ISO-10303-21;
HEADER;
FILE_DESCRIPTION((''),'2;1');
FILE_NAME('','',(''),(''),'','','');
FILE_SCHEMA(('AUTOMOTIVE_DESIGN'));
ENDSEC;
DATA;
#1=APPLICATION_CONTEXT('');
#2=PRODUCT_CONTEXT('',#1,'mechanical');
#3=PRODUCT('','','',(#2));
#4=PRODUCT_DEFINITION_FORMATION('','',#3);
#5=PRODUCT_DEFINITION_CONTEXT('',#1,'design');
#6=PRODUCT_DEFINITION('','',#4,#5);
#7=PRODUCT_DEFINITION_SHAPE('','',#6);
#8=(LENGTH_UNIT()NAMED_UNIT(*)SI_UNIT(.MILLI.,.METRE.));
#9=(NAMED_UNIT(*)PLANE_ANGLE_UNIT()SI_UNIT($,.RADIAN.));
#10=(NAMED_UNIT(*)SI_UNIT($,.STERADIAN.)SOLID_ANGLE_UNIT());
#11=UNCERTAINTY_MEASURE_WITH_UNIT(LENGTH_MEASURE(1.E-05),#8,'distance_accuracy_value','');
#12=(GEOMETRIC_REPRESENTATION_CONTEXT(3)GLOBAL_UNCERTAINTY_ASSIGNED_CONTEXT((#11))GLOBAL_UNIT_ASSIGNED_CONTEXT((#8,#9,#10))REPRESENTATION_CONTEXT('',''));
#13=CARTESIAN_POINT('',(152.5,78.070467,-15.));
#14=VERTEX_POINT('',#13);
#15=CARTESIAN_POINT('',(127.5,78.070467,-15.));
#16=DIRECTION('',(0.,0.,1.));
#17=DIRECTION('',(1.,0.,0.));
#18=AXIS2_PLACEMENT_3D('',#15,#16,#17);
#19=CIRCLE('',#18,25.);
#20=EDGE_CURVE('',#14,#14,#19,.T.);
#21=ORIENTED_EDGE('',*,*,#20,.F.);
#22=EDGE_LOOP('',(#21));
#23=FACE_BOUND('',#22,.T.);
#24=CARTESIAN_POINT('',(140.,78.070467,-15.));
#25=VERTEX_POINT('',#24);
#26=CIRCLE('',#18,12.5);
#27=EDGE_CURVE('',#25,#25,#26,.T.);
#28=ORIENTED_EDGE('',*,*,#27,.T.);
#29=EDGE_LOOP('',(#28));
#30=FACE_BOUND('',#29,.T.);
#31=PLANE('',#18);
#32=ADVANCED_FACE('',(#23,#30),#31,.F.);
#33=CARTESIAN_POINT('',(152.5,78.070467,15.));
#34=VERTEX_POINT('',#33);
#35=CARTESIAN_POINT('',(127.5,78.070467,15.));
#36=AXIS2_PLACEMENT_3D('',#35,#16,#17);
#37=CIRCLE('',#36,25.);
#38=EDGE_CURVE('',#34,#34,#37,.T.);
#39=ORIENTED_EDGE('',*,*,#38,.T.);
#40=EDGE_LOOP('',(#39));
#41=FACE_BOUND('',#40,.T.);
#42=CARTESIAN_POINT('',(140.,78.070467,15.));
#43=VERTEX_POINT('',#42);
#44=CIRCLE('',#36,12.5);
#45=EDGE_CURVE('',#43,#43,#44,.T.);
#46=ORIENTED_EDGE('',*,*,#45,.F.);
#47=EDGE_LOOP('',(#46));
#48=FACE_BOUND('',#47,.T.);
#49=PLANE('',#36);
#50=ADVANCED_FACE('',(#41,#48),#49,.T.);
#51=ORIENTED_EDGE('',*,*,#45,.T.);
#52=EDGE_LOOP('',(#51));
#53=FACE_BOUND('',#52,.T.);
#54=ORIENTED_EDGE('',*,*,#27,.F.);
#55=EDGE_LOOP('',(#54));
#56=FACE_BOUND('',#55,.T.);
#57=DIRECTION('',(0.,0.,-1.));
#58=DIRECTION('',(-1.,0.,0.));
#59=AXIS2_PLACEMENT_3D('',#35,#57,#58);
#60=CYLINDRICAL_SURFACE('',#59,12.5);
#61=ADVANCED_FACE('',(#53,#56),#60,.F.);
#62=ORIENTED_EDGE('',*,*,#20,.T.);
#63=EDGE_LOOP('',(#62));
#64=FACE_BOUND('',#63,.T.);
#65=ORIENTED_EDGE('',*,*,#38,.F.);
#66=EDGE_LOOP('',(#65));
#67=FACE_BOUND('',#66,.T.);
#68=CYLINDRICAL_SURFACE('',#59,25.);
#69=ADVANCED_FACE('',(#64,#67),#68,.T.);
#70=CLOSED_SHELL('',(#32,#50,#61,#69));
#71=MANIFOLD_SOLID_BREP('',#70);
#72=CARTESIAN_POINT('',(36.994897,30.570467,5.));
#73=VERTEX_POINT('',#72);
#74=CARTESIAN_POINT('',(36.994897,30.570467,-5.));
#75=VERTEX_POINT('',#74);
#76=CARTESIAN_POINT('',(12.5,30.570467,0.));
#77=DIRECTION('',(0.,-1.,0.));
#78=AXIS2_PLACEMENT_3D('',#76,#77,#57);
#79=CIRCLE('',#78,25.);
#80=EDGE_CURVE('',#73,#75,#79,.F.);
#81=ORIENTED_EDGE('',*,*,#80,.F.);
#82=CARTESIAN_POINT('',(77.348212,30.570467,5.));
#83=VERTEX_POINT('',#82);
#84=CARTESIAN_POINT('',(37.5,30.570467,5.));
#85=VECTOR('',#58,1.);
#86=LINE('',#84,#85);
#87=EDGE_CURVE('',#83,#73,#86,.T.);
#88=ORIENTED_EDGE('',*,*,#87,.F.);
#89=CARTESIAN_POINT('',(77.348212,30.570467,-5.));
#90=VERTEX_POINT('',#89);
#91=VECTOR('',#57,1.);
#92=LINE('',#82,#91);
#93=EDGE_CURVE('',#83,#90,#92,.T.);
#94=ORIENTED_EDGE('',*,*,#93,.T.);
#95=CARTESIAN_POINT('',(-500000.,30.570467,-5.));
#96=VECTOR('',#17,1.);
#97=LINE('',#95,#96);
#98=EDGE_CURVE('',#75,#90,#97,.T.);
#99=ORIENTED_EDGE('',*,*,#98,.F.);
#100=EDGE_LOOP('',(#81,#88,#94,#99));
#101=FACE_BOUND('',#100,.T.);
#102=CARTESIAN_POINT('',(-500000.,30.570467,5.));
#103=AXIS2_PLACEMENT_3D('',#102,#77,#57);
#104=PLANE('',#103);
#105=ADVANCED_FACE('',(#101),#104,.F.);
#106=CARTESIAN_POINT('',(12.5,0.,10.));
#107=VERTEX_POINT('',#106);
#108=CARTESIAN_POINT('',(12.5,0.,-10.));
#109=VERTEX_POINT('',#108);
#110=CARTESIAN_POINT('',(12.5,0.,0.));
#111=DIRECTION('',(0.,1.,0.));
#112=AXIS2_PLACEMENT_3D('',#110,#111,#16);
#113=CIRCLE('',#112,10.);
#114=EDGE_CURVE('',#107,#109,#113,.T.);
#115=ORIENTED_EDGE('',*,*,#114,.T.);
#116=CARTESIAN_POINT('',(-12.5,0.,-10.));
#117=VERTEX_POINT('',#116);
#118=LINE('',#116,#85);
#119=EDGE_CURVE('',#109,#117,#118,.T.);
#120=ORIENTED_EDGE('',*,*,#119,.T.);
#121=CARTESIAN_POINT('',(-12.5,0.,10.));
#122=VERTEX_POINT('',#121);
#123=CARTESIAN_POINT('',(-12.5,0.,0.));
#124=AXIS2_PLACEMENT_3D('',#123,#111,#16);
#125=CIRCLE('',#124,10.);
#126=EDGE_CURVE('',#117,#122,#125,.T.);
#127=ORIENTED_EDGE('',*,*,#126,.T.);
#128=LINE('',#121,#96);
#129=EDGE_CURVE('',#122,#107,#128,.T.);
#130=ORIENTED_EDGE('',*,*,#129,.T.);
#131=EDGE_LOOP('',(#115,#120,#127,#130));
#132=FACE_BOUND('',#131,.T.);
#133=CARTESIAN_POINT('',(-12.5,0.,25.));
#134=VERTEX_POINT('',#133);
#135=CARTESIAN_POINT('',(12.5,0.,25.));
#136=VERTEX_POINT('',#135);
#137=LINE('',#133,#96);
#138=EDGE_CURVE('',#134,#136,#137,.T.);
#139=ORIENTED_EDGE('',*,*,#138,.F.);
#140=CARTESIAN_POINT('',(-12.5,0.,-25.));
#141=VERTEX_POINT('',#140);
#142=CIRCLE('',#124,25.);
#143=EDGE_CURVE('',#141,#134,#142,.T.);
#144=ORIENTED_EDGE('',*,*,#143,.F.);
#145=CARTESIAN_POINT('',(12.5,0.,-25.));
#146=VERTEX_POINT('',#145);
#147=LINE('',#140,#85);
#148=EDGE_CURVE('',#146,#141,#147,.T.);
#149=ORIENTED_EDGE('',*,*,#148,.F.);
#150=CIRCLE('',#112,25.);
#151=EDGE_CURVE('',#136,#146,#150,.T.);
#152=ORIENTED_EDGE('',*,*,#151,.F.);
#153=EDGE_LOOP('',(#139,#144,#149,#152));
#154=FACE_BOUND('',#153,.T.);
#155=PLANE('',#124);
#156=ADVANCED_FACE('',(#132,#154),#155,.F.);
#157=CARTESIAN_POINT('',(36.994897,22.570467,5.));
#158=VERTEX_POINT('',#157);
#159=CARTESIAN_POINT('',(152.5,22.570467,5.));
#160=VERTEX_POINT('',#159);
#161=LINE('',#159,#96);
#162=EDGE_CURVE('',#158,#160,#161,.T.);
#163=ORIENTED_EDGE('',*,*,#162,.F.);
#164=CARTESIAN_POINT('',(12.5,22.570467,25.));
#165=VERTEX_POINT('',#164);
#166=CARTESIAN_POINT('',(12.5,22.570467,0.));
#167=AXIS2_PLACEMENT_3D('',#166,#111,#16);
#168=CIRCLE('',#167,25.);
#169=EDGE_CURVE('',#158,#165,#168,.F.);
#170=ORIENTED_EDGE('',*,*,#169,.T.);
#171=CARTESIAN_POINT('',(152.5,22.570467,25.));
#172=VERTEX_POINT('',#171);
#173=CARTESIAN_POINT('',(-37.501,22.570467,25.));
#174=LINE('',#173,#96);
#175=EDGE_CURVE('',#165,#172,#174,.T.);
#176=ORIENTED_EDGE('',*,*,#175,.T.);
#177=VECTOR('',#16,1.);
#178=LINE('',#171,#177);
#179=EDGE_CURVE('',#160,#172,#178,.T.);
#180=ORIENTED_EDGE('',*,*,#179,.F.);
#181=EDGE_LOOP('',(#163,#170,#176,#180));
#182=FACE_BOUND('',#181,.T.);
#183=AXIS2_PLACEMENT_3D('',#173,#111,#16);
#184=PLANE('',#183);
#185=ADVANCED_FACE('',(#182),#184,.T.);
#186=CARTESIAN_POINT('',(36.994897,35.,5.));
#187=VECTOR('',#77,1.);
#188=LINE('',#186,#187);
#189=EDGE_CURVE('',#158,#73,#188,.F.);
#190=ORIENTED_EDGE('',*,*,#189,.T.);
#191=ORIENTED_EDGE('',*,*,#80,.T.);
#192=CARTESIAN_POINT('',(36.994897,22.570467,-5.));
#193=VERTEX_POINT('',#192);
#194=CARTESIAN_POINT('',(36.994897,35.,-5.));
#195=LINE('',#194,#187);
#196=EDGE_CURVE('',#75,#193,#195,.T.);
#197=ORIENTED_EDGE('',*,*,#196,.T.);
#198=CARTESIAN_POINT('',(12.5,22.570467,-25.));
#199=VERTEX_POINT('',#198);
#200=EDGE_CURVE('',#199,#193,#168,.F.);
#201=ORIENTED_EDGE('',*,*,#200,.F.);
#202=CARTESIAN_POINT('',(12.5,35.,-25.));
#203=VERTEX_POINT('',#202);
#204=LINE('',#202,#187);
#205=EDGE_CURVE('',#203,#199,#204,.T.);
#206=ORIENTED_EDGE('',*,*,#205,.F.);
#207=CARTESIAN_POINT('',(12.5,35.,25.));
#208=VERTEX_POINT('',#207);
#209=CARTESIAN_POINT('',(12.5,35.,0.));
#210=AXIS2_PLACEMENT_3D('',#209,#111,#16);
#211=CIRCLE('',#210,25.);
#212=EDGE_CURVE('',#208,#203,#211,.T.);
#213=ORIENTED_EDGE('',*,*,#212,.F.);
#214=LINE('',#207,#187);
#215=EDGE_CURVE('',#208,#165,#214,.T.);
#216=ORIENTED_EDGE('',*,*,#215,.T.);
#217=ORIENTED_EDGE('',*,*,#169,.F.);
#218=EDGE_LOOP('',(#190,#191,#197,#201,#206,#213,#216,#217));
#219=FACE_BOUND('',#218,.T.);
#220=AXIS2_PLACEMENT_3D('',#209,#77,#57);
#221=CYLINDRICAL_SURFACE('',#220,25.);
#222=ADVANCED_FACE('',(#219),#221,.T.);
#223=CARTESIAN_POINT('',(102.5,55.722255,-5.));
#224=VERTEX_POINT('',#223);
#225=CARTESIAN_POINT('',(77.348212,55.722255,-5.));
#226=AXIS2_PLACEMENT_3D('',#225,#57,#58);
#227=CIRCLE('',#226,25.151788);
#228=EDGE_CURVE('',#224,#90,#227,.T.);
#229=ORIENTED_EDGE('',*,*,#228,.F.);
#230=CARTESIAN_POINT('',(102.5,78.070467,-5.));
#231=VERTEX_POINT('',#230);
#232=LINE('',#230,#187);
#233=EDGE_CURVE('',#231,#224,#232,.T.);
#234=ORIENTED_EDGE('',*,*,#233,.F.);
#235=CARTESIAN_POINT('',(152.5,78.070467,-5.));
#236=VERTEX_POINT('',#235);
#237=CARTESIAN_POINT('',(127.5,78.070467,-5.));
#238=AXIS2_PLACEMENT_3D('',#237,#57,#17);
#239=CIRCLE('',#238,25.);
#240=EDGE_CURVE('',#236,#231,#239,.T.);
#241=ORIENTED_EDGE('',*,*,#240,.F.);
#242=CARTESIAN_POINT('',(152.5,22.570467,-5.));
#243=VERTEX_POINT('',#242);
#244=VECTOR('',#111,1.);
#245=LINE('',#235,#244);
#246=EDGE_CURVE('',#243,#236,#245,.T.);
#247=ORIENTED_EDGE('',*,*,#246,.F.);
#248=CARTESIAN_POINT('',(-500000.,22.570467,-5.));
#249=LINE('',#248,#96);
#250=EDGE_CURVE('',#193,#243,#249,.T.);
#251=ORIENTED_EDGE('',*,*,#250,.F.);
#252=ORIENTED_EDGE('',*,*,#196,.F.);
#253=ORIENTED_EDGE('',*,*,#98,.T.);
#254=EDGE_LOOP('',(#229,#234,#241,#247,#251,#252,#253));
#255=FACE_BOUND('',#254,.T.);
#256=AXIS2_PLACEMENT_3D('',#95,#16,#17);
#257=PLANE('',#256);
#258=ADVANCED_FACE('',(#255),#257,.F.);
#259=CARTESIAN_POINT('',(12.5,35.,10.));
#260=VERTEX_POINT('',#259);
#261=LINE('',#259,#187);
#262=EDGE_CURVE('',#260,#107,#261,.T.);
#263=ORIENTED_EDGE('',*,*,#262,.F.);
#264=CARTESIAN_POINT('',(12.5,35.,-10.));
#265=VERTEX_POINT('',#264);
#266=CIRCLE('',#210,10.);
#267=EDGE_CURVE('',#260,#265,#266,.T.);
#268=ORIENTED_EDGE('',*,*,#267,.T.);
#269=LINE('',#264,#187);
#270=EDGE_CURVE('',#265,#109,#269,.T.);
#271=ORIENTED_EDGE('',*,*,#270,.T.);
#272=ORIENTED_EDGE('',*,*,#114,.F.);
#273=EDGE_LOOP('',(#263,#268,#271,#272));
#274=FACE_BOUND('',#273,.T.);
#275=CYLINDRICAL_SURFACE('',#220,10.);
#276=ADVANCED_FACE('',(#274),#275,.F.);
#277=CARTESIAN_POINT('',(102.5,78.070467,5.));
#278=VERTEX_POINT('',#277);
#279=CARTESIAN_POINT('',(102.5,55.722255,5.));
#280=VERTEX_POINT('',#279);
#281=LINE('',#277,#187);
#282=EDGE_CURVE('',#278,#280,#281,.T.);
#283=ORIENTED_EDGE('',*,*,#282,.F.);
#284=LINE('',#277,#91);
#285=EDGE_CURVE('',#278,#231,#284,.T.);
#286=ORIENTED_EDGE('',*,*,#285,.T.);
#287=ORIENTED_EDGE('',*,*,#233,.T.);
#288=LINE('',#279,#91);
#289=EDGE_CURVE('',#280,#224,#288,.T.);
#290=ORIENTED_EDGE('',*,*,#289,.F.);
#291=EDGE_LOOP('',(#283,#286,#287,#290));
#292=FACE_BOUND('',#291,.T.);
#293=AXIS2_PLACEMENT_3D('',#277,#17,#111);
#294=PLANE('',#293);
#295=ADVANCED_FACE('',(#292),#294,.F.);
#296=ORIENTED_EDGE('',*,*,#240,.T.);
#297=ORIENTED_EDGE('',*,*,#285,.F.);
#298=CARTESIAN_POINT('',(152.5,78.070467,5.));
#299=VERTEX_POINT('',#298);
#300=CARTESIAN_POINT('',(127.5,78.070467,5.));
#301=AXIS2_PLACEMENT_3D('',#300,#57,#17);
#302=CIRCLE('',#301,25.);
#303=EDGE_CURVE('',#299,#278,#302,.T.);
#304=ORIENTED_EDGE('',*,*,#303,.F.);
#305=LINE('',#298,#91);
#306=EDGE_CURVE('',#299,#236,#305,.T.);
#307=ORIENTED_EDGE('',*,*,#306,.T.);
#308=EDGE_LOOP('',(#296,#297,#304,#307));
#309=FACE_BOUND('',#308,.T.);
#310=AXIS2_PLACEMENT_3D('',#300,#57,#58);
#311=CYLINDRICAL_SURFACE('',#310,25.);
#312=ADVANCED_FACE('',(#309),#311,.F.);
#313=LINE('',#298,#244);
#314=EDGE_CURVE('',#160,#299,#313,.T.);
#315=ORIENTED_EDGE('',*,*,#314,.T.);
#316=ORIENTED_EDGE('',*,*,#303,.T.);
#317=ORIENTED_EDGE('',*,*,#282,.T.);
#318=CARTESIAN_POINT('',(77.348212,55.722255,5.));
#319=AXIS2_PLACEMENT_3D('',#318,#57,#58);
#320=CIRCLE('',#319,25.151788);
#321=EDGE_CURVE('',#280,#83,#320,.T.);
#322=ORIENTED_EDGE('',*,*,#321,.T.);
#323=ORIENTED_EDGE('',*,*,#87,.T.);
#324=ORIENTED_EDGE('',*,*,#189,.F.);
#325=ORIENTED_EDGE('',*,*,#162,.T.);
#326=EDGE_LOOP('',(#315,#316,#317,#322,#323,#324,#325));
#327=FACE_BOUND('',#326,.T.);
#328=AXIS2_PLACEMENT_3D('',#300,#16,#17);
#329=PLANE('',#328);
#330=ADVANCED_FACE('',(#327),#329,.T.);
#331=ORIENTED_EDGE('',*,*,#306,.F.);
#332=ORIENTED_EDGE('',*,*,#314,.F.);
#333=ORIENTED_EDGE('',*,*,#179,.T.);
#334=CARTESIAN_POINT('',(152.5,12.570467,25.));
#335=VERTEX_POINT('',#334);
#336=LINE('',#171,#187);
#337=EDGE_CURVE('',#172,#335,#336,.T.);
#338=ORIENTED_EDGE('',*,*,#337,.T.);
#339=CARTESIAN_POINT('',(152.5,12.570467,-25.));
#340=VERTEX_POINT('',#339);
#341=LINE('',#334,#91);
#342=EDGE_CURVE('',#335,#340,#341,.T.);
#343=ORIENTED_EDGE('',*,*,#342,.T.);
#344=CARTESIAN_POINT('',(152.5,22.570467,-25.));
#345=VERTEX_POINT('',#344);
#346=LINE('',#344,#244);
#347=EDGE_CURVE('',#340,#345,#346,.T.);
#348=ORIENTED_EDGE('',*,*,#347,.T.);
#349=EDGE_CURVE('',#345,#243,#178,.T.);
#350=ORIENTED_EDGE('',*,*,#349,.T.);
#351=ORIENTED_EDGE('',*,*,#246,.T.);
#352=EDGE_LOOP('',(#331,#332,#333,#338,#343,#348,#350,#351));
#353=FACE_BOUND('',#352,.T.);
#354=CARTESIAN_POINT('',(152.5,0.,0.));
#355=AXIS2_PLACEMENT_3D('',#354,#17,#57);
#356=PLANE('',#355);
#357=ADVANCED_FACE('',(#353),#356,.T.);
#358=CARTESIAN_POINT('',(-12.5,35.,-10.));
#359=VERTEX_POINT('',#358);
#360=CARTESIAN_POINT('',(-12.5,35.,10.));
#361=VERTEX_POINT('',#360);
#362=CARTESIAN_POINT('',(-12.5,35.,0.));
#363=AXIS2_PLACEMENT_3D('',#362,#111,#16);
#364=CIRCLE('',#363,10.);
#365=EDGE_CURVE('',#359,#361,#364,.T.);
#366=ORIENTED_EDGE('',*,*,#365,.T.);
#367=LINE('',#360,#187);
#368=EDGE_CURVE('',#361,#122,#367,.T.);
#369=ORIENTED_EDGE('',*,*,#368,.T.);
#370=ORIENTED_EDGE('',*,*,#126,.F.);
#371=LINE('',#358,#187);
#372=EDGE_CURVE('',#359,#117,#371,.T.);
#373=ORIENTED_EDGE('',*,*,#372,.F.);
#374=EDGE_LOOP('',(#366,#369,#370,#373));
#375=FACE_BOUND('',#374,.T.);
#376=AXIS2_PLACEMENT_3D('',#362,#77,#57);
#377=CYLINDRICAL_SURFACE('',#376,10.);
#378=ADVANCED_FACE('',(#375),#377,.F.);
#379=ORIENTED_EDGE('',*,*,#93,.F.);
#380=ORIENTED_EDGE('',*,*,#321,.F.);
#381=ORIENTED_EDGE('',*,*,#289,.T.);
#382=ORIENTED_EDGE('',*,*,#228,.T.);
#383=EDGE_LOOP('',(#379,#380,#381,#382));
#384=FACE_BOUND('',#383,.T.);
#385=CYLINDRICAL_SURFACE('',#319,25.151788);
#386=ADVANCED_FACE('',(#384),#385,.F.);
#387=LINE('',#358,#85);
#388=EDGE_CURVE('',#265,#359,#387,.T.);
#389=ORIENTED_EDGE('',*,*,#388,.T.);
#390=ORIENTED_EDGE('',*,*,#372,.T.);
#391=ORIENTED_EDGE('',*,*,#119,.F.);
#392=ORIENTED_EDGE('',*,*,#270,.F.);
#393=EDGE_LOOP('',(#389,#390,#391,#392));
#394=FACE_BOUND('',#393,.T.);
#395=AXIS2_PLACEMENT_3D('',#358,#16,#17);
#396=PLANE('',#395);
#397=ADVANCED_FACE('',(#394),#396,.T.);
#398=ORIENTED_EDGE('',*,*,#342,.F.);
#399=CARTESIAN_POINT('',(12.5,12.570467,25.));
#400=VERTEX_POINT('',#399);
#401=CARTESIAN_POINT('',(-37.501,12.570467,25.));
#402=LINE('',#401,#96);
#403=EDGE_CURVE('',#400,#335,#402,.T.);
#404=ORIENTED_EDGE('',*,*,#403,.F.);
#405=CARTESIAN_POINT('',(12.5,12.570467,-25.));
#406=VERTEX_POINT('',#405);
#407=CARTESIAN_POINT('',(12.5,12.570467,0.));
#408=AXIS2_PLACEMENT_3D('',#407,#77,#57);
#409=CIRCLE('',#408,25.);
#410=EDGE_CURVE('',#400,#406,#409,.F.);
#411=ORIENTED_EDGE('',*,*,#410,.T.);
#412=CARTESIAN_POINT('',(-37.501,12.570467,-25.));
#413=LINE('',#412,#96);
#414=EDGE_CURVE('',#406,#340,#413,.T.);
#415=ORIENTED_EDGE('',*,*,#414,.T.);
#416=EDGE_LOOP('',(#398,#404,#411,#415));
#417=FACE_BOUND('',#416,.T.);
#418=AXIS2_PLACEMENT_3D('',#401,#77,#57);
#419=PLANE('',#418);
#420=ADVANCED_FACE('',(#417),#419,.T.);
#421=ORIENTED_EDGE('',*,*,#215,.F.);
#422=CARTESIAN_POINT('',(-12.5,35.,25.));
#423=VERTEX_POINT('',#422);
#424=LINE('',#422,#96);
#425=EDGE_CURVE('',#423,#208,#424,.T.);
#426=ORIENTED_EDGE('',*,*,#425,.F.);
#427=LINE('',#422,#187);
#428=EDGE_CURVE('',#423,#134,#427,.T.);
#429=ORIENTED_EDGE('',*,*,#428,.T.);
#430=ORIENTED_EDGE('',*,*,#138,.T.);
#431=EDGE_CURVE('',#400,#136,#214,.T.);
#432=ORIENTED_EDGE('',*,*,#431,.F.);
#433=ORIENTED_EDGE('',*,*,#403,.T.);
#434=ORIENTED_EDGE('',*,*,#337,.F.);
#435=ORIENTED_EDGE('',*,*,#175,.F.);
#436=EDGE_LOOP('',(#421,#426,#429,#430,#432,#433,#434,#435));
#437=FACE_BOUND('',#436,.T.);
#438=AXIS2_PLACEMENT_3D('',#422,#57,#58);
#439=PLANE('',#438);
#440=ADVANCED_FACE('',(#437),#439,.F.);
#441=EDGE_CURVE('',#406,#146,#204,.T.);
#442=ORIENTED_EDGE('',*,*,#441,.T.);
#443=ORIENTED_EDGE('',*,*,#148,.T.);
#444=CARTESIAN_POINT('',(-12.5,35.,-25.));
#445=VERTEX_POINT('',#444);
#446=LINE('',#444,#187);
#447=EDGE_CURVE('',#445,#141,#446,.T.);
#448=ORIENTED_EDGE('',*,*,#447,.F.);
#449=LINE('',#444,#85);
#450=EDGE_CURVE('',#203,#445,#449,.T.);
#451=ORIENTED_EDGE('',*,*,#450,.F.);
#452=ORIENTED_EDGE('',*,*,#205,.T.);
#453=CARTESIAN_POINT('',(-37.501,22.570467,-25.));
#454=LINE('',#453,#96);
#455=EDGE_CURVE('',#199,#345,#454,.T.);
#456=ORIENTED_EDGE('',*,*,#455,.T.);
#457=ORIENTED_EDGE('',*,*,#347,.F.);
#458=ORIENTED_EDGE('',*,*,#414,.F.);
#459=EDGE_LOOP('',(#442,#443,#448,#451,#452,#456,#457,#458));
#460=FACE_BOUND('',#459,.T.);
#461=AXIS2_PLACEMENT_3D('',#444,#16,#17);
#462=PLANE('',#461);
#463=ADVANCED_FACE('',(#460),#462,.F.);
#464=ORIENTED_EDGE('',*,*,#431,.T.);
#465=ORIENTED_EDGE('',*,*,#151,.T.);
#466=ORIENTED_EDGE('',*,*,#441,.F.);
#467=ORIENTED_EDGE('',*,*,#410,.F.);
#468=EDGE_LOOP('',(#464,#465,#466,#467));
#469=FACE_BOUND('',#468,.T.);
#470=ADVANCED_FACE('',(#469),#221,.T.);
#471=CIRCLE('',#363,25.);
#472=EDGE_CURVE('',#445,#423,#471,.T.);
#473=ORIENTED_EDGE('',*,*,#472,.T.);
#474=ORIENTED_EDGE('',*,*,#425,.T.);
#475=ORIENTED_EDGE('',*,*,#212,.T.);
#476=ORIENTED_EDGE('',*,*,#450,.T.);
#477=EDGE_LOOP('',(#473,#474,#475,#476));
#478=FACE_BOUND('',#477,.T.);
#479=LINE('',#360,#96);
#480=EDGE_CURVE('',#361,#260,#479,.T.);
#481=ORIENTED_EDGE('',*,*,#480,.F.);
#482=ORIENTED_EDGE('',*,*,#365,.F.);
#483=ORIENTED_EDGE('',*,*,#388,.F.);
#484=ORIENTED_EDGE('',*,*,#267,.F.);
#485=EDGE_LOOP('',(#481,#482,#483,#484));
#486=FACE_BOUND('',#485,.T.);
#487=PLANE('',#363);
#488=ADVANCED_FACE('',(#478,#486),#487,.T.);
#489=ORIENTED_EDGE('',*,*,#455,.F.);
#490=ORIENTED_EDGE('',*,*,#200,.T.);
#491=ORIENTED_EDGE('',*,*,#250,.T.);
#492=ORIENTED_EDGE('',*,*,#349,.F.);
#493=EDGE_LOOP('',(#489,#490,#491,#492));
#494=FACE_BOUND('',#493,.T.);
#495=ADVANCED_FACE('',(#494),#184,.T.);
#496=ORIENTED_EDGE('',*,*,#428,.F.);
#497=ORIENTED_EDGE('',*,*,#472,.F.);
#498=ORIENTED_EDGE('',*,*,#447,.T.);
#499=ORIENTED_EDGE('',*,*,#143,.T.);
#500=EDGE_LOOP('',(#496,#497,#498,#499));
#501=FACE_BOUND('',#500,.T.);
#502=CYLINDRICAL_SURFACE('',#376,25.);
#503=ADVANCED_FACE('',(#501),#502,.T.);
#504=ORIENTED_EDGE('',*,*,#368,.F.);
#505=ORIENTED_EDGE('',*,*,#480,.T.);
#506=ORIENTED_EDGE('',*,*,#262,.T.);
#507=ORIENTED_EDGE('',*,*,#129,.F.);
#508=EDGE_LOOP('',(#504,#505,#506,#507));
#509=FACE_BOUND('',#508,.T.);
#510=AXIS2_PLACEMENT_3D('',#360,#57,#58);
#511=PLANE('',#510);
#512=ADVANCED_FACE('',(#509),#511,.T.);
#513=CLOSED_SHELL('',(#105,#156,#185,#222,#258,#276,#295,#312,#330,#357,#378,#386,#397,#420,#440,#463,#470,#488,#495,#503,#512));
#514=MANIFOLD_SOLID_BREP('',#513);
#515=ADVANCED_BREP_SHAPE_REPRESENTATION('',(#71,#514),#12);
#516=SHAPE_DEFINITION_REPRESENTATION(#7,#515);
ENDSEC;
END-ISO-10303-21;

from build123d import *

# Parameters (mm, degrees)
BOSS_EXTRUDE1_DEPTH      = 35
BOSS_EXTRUDE2_REACH      = 211.564
BOSS_EXTRUDE2_END_RADIUS = 25
BOSS_EXTRUDE2_START      = 152.5
SKETCH2_W                = 50
SKETCH2_H                = 10
SKETCH3_R                = 25
SKETCH3_R_2              = 12.5
BOSS_EXTRUDE3_DEPTH      = 15
BOSS_EXTRUDE5_DEPTH      = 5
SKETCH5_W                = 10
SKETCH5_H                = 8
BOSS_EXTRUDE6_DEPTH      = 0.505103


with BuildPart() as part:
    # Sketch1 → Boss-Extrude1 (new body)
    with BuildSketch(Plane(origin=(0, 0, 0), x_dir=(1, 0, 0), z_dir=(0, 1, 0))):
        with BuildLine():
            Line((-12.5, 25), (12.5, 25))
            ThreePointArc((12.5, 25), (37.5, 0), (12.5, -25))
            Line((12.5, -25), (-12.5, -25))
            ThreePointArc((-12.5, -25), (-37.5, 0), (-12.5, 25))
        make_face()
        with BuildLine():
            Line((-12.5, 10), (12.5, 10))
            ThreePointArc((12.5, 10), (22.5, 0), (12.5, -10))
            Line((12.5, -10), (-12.5, -10))
            ThreePointArc((-12.5, -10), (-22.5, 0), (-12.5, 10))
        make_face(mode=Mode.SUBTRACT)
    extrude(amount=BOSS_EXTRUDE1_DEPTH)

    # Boss-Extrude2: up to this cylinder (the profile starts outside it)
    boss_extrude2_end = Plane(origin=(12.5, 17.570467, 0), z_dir=(0, -1, 0)) * Cylinder(BOSS_EXTRUDE2_END_RADIUS, 474.128, mode=Mode.PRIVATE)
    # Sketch2 → Boss-Extrude2 (add, up to the surface)
    with BuildSketch(Plane(origin=(0, 0, 0), x_dir=(0, 0, -1), z_dir=(1, 0, 0)).offset(BOSS_EXTRUDE2_START), mode=Mode.PRIVATE) as boss_extrude2_sk1:
        with Locations((0, 17.570467399)):
            Rectangle(SKETCH2_W, SKETCH2_H)
    boss_extrude2_tool1 = extrude(boss_extrude2_sk1.sketch, amount=-BOSS_EXTRUDE2_REACH, mode=Mode.PRIVATE) - boss_extrude2_end
    add(boss_extrude2_tool1.solids().sort_by_distance((152.5, 17.570467, 0))[0])



with BuildPart() as body_2:
    # Sketch3 → Boss-Extrude3 (new, symmetric)
    with BuildSketch(Plane.XY):
        with Locations((127.5, 78.070467399)):
            Circle(SKETCH3_R)
        with Locations((127.5, 78.070467399)):
            Circle(SKETCH3_R_2, mode=Mode.SUBTRACT)
    extrude(amount=BOSS_EXTRUDE3_DEPTH, both=True)


with BuildPart() as body_3:
    # Sketch4 → Boss-Extrude5 (new, symmetric)
    with BuildSketch(Plane.XY):
        with BuildLine():
            Line((152.5, 78.070467399), (152.5, 22.570467399))
            Line((152.5, 22.570467399), (37.5, 22.570467399))
            Line((37.5, 22.570467399), (37.5, 30.570467399))
            Line((37.5, 30.570467399), (77.34821208, 30.570467399))
            ThreePointArc((77.34821208, 30.570467399), (95.133211877, 37.937255521), (102.5, 55.722255318))
            Line((102.5, 55.722255318), (102.5, 78.070467399))
            ThreePointArc((102.5, 78.070467399), (127.5, 53.070467399), (152.5, 78.070467399))
        make_face()
    extrude(amount=BOSS_EXTRUDE5_DEPTH, both=True)


with BuildPart() as part_1:
    add(part.part)

    add(body_3.part)  # Boss-Extrude6 merges body 3
    # Sketch5 → Boss-Extrude6 (add)
    with BuildSketch(Plane.ZY.offset(-37.5)):
        with Locations((0, 26.570467399)):
            Rectangle(SKETCH5_W, SKETCH5_H)
    extrude(amount=BOSS_EXTRUDE6_DEPTH)


solid = Compound([body_2.part, part_1.part])
